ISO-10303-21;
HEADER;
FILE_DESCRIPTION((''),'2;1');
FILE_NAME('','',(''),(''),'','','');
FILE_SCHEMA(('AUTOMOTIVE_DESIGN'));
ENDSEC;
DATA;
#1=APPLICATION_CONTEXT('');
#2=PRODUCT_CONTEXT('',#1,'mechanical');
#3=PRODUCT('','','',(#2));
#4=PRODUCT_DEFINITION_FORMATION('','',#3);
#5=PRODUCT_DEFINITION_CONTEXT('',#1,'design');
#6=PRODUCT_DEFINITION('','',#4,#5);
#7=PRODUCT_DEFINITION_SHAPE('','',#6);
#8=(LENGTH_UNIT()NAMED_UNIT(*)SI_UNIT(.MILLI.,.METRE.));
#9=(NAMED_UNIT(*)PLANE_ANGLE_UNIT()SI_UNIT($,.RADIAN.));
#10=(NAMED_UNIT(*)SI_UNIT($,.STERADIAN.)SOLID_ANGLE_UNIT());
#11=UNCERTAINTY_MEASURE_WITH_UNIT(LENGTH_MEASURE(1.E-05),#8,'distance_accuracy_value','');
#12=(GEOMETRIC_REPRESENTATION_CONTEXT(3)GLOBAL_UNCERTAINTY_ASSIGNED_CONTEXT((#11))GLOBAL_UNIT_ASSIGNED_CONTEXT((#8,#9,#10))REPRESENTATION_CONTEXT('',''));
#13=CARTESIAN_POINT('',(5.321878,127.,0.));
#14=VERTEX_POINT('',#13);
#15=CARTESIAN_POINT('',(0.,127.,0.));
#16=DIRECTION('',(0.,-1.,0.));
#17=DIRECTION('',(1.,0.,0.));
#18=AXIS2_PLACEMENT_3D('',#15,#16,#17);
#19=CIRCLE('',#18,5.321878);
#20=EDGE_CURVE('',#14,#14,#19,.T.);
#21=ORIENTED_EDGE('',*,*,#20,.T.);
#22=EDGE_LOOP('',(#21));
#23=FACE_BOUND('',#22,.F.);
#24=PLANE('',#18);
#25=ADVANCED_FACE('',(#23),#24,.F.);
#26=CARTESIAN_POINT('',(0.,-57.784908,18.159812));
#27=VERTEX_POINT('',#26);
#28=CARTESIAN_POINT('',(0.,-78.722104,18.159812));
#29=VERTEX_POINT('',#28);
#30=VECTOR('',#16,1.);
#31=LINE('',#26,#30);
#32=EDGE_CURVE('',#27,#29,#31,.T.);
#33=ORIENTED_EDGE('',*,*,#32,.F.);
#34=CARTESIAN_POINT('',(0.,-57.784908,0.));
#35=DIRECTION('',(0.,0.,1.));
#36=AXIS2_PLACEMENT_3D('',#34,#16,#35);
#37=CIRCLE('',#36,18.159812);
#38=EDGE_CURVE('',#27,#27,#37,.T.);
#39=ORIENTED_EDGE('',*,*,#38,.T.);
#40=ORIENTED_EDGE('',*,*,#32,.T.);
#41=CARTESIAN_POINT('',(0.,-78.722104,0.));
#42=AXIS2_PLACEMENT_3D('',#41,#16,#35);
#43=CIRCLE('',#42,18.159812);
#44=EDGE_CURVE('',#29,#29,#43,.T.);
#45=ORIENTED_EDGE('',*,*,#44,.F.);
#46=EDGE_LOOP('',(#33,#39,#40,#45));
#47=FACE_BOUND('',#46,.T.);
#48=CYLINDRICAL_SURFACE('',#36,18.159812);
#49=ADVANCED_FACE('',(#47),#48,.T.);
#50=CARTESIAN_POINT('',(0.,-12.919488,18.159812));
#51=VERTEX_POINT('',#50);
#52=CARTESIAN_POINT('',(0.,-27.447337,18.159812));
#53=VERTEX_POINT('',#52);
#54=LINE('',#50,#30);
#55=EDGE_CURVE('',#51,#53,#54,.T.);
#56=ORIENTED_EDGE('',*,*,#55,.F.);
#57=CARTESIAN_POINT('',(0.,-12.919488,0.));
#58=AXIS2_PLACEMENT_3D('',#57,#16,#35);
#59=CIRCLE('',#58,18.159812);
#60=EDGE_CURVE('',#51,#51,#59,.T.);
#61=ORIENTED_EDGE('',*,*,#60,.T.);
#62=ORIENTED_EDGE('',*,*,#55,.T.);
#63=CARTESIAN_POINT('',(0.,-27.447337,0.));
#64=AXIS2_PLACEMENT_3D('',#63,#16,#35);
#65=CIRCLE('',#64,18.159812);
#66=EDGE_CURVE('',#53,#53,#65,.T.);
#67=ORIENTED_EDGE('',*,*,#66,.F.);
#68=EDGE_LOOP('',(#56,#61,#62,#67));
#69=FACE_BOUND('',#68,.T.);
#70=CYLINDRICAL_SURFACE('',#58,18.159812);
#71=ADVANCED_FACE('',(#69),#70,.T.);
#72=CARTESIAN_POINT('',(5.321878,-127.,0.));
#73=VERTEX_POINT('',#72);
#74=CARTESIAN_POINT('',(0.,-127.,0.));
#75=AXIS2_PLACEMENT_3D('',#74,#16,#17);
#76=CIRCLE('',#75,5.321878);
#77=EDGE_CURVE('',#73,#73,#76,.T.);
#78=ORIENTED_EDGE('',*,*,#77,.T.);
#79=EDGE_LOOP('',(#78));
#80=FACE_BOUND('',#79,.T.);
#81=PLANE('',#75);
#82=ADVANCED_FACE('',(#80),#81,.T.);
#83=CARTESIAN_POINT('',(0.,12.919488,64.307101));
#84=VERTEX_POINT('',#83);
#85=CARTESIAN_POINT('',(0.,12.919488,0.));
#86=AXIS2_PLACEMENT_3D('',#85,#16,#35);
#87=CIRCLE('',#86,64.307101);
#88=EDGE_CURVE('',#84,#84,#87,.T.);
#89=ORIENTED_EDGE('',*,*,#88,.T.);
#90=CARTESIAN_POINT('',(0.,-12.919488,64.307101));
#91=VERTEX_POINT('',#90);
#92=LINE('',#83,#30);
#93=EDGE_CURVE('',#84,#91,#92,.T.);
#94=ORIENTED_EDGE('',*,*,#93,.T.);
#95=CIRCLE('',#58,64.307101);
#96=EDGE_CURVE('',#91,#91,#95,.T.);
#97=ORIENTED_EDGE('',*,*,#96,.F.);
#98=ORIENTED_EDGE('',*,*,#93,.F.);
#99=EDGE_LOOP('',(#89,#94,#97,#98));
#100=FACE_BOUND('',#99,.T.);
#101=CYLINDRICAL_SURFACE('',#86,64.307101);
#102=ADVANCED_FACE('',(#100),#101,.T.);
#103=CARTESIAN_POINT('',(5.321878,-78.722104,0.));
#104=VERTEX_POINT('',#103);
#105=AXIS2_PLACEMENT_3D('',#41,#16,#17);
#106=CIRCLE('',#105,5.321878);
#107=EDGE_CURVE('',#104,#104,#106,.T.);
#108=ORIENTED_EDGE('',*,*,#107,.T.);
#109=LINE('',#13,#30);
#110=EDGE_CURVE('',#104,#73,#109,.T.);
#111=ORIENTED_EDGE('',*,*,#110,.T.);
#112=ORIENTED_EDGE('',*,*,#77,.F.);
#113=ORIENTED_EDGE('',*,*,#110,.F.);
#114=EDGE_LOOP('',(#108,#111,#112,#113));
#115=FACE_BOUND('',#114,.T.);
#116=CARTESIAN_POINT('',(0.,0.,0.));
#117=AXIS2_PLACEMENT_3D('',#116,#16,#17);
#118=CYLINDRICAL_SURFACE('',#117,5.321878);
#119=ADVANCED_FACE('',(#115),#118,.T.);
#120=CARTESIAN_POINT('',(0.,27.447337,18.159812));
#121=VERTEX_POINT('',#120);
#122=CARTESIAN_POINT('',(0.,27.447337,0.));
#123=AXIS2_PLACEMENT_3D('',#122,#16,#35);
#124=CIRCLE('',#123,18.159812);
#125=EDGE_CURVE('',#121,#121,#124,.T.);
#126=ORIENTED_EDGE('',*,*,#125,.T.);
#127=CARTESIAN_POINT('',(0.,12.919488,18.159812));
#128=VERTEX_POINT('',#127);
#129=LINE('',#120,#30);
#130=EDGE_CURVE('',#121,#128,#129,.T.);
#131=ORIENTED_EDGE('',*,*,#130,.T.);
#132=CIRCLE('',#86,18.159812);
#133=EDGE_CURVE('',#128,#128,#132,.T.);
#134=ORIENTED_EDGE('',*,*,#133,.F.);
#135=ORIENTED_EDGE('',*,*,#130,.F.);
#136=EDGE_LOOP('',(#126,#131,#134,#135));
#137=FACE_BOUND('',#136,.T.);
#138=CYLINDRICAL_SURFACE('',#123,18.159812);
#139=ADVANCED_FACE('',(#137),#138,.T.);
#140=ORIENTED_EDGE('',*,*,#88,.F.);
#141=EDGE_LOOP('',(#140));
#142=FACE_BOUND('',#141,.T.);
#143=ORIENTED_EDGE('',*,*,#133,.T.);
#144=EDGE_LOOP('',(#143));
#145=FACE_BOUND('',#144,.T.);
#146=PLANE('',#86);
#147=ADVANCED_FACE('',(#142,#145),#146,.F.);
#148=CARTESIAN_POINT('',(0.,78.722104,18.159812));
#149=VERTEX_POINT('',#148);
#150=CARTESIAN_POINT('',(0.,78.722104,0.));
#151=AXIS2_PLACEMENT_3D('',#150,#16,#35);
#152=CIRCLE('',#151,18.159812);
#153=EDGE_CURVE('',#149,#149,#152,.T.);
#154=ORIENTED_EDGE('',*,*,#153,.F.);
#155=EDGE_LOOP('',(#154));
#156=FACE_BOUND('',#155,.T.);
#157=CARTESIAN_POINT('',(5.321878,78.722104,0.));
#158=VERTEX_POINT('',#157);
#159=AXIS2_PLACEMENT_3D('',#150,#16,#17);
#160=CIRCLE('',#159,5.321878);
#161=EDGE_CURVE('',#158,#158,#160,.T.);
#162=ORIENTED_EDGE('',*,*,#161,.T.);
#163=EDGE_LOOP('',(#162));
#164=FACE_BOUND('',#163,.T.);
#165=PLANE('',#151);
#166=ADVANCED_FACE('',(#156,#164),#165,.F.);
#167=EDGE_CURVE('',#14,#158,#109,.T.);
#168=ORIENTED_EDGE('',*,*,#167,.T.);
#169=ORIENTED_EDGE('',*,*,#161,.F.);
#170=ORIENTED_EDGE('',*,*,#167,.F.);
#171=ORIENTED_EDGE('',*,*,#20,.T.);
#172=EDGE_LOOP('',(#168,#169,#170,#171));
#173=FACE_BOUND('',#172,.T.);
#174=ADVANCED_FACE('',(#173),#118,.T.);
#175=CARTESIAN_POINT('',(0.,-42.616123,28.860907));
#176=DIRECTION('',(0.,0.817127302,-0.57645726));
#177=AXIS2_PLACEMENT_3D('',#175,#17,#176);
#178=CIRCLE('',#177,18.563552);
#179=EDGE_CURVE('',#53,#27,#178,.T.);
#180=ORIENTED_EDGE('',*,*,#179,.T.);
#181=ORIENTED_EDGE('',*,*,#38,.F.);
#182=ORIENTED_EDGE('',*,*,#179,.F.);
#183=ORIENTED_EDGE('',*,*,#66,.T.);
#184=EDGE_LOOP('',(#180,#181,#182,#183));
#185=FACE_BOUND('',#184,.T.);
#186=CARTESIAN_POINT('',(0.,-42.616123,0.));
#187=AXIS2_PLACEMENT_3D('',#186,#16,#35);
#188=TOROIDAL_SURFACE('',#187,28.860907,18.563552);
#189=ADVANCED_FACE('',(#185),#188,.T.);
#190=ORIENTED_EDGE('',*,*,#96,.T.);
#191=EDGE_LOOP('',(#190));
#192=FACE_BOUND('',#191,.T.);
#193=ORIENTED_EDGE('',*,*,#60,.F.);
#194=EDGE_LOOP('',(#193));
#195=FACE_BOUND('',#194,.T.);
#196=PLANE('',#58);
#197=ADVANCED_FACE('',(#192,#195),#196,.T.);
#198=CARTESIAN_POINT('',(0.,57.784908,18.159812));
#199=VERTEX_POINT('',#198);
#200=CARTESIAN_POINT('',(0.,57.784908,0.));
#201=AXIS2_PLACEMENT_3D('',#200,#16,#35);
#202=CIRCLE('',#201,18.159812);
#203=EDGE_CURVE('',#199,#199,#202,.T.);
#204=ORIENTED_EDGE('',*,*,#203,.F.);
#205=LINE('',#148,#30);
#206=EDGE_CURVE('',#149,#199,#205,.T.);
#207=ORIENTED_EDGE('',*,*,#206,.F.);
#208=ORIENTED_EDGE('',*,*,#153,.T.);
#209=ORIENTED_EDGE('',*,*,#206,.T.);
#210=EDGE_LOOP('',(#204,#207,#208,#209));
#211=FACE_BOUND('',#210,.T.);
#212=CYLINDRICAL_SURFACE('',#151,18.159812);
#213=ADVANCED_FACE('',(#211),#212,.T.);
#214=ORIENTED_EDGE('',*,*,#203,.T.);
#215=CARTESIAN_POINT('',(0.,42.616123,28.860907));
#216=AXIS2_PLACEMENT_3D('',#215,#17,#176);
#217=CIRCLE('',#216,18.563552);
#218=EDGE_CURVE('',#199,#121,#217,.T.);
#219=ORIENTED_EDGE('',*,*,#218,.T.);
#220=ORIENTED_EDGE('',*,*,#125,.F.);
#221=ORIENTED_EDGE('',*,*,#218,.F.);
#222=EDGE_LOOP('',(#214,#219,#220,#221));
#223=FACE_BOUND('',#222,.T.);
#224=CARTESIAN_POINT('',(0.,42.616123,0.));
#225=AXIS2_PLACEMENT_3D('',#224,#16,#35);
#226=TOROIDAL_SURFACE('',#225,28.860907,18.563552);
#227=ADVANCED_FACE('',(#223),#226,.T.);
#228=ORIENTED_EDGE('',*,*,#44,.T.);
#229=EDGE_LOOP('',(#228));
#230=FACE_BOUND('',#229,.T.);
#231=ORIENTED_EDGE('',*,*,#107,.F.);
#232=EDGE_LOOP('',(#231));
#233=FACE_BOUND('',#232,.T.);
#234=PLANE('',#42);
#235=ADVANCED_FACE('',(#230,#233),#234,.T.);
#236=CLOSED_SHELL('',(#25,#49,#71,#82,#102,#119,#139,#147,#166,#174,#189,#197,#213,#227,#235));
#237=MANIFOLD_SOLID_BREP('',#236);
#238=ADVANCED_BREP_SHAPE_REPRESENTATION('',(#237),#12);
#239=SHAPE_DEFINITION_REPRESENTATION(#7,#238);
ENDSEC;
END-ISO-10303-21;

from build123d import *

# Parameters (mm, degrees)
F0_R     = 5.321878
F1_DEPTH = 127


with BuildPart() as f1:
    # F0 (on Front) → F1 (new body, symmetric)
    with BuildSketch(Plane.XZ):
        Circle(F0_R)
    extrude(amount=F1_DEPTH, both=True)

    # F2 (on Right) → F3 (revolve)
    with BuildSketch(Plane.YZ):
        with BuildLine():
            Line((-78.722104, 18.159812), (-78.722104, 0))
            Line((-78.722104, 0), (78.722104, 0))
            Line((78.722104, 0), (78.722104, 18.159812))
            Line((78.722104, 18.159812), (57.784908, 18.159812))
            ThreePointArc((57.784908, 18.159812), (42.616122, 47.424459), (27.447337, 18.159812))
            Line((27.447337, 18.159812), (12.919488, 18.159812))
            Line((12.919488, 18.159812), (12.919488, 64.307101))
            Line((12.919488, 64.307101), (0, 64.307101))
            Line((0, 64.307101), (-12.919488, 64.307101))
            Line((-12.919488, 64.307101), (-12.919488, 18.159812))
            Line((-12.919488, 18.159812), (-27.447337, 18.159812))
            ThreePointArc((-27.447337, 18.159812), (-42.616122, 47.424459), (-57.784908, 18.159812))
            Line((-57.784908, 18.159812), (-78.722104, 18.159812))
        make_face()
    revolve(axis=Axis((0, 0, 0), (0, -1, 0)))


solid = f1.part
